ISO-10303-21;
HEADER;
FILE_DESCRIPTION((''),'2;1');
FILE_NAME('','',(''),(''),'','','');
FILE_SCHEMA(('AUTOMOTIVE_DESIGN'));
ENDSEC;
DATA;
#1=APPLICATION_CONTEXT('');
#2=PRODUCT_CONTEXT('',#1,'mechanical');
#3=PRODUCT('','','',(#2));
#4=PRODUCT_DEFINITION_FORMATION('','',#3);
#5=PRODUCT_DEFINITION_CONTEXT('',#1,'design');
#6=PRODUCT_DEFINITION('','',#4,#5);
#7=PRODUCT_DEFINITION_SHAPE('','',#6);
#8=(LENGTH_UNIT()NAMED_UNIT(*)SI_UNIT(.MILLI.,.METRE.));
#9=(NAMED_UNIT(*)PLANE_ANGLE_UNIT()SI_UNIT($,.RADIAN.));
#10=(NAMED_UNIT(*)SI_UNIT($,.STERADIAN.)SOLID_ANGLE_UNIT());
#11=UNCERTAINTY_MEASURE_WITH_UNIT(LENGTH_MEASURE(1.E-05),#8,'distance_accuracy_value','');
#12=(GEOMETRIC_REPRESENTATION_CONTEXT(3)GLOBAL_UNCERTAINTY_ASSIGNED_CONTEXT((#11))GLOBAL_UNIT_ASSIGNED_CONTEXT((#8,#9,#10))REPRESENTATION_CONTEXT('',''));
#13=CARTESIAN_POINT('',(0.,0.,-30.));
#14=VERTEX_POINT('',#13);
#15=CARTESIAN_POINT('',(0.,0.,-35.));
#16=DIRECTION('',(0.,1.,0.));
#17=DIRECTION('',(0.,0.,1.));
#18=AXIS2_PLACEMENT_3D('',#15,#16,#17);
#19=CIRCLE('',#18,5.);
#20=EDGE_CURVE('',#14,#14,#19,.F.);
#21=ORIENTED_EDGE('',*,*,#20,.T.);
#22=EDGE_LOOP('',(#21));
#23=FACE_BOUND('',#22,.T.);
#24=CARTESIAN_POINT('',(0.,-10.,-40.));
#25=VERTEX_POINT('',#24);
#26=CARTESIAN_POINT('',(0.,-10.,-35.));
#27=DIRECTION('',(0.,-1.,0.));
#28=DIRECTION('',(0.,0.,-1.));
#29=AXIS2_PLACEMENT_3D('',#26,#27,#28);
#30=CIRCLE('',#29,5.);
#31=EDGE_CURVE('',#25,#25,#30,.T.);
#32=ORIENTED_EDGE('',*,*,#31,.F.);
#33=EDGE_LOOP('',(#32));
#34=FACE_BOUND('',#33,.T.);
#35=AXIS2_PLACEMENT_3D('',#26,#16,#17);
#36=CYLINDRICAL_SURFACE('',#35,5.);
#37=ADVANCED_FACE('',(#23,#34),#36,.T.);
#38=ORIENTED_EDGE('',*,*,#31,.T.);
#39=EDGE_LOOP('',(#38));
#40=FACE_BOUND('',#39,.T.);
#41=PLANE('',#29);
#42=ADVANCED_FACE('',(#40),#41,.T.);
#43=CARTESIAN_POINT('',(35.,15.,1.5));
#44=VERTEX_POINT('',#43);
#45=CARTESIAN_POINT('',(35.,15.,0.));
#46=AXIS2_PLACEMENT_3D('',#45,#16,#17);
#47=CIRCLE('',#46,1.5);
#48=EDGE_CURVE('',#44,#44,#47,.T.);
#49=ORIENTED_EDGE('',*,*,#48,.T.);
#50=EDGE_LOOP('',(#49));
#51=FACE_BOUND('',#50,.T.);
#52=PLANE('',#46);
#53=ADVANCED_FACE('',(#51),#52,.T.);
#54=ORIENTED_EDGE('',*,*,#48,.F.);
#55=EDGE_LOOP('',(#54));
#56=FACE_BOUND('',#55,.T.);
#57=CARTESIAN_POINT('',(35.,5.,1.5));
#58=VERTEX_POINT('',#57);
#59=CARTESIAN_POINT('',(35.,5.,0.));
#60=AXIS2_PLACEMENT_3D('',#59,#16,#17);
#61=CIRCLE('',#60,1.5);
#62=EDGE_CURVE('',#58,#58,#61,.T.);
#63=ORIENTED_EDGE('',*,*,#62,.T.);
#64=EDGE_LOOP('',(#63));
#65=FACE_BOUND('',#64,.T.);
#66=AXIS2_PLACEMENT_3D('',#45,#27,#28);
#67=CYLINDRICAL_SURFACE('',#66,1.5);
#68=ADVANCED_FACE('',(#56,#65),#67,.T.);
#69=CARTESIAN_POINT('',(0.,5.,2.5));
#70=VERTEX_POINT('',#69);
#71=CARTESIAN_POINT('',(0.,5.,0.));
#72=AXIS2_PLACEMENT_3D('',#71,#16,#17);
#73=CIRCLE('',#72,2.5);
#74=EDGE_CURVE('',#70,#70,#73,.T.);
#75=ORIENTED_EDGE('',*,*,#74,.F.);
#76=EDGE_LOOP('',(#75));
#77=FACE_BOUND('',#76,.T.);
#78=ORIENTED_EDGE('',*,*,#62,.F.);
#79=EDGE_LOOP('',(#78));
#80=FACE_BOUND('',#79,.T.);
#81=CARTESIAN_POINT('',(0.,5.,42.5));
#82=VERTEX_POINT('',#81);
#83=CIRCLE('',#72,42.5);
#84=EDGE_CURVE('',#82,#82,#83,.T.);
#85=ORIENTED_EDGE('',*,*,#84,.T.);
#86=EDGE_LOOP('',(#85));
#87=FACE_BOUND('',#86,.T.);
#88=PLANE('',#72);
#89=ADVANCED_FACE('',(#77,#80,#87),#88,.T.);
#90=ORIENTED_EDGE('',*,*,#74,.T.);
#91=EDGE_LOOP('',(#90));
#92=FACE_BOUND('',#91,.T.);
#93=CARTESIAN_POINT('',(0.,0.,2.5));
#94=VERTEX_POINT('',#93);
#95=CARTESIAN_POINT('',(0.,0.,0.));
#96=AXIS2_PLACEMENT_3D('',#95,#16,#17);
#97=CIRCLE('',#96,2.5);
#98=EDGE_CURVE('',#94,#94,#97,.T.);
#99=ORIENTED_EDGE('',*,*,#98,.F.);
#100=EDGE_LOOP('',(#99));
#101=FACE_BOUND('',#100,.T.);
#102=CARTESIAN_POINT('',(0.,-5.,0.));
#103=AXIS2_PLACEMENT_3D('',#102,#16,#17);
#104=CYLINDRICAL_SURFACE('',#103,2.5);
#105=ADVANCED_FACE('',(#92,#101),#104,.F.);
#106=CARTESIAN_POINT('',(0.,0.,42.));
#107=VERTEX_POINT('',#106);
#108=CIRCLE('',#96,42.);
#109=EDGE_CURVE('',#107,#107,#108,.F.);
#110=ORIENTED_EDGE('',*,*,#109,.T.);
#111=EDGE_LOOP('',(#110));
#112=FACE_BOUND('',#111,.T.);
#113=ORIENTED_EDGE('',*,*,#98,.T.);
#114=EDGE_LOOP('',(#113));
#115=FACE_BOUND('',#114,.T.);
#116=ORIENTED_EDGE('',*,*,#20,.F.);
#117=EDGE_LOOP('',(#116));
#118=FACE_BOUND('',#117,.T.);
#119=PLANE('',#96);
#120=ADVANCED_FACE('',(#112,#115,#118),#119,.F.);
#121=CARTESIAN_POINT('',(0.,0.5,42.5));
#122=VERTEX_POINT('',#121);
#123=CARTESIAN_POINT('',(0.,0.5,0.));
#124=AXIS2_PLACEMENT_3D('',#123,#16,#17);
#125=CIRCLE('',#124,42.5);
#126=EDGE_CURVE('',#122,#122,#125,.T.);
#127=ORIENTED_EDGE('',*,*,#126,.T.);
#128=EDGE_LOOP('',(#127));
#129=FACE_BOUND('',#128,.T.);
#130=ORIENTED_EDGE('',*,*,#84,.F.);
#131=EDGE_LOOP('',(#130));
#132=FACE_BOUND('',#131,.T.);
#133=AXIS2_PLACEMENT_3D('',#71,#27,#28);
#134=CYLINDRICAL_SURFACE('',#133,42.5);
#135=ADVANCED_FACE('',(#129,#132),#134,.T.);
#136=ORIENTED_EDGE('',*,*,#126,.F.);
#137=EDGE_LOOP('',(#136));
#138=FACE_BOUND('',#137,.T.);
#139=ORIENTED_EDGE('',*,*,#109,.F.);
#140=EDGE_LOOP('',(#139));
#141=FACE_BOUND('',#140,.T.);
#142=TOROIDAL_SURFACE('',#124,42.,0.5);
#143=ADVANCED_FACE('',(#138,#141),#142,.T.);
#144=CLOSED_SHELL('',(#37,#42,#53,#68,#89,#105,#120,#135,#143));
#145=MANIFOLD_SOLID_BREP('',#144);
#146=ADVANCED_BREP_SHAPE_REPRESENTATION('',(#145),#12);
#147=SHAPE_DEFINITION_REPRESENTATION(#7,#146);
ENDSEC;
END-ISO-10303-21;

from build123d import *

# Parameters (mm, degrees)
SKETCH1_R           = 42.5
BOSS_EXTRUDE1_DEPTH = 5
SKETCH2_R           = 1.5
BOSS_EXTRUDE2_DEPTH = 10
SKETCH3_R           = 2.5
CUT_EXTRUDE1_DEPTH  = 10
SKETCH4_R           = 5
BOSS_EXTRUDE3_DEPTH = 10
FILLET1_R           = 0.5


with BuildPart() as part:
    # Sketch1 → Boss-Extrude1 (new body)
    with BuildSketch(Plane(origin=(0, 0, 0), x_dir=(1, 0, 0), z_dir=(0, 1, 0))):
        Circle(SKETCH1_R)
    extrude(amount=BOSS_EXTRUDE1_DEPTH)

    # Sketch2 → Boss-Extrude2 (add)
    with BuildSketch(Plane(origin=(0, 5, 0), x_dir=(1, 0, 0), z_dir=(0, 1, 0))):
        with Locations((35, 0)):
            Circle(SKETCH2_R)
    extrude(amount=BOSS_EXTRUDE2_DEPTH)

    # Sketch3 → Cut-Extrude1 (cut)
    with BuildSketch(Plane(origin=(0, 5, 0), x_dir=(1, 0, 0), z_dir=(0, 1, 0))):
        Circle(SKETCH3_R)
    extrude(amount=-CUT_EXTRUDE1_DEPTH, mode=Mode.SUBTRACT)

    # Sketch4 → Boss-Extrude3 (add)
    with BuildSketch(Plane.XZ):
        with Locations((0, -35)):
            Circle(SKETCH4_R)
    extrude(amount=BOSS_EXTRUDE3_DEPTH)

    # Fillet1
    fillet1_edges = [part.edges().sort_by_distance(p)[0] for p in [
        (-42.5, 0, 0),
    ]]
    fillet(fillet1_edges, radius=FILLET1_R)


solid = part.part
